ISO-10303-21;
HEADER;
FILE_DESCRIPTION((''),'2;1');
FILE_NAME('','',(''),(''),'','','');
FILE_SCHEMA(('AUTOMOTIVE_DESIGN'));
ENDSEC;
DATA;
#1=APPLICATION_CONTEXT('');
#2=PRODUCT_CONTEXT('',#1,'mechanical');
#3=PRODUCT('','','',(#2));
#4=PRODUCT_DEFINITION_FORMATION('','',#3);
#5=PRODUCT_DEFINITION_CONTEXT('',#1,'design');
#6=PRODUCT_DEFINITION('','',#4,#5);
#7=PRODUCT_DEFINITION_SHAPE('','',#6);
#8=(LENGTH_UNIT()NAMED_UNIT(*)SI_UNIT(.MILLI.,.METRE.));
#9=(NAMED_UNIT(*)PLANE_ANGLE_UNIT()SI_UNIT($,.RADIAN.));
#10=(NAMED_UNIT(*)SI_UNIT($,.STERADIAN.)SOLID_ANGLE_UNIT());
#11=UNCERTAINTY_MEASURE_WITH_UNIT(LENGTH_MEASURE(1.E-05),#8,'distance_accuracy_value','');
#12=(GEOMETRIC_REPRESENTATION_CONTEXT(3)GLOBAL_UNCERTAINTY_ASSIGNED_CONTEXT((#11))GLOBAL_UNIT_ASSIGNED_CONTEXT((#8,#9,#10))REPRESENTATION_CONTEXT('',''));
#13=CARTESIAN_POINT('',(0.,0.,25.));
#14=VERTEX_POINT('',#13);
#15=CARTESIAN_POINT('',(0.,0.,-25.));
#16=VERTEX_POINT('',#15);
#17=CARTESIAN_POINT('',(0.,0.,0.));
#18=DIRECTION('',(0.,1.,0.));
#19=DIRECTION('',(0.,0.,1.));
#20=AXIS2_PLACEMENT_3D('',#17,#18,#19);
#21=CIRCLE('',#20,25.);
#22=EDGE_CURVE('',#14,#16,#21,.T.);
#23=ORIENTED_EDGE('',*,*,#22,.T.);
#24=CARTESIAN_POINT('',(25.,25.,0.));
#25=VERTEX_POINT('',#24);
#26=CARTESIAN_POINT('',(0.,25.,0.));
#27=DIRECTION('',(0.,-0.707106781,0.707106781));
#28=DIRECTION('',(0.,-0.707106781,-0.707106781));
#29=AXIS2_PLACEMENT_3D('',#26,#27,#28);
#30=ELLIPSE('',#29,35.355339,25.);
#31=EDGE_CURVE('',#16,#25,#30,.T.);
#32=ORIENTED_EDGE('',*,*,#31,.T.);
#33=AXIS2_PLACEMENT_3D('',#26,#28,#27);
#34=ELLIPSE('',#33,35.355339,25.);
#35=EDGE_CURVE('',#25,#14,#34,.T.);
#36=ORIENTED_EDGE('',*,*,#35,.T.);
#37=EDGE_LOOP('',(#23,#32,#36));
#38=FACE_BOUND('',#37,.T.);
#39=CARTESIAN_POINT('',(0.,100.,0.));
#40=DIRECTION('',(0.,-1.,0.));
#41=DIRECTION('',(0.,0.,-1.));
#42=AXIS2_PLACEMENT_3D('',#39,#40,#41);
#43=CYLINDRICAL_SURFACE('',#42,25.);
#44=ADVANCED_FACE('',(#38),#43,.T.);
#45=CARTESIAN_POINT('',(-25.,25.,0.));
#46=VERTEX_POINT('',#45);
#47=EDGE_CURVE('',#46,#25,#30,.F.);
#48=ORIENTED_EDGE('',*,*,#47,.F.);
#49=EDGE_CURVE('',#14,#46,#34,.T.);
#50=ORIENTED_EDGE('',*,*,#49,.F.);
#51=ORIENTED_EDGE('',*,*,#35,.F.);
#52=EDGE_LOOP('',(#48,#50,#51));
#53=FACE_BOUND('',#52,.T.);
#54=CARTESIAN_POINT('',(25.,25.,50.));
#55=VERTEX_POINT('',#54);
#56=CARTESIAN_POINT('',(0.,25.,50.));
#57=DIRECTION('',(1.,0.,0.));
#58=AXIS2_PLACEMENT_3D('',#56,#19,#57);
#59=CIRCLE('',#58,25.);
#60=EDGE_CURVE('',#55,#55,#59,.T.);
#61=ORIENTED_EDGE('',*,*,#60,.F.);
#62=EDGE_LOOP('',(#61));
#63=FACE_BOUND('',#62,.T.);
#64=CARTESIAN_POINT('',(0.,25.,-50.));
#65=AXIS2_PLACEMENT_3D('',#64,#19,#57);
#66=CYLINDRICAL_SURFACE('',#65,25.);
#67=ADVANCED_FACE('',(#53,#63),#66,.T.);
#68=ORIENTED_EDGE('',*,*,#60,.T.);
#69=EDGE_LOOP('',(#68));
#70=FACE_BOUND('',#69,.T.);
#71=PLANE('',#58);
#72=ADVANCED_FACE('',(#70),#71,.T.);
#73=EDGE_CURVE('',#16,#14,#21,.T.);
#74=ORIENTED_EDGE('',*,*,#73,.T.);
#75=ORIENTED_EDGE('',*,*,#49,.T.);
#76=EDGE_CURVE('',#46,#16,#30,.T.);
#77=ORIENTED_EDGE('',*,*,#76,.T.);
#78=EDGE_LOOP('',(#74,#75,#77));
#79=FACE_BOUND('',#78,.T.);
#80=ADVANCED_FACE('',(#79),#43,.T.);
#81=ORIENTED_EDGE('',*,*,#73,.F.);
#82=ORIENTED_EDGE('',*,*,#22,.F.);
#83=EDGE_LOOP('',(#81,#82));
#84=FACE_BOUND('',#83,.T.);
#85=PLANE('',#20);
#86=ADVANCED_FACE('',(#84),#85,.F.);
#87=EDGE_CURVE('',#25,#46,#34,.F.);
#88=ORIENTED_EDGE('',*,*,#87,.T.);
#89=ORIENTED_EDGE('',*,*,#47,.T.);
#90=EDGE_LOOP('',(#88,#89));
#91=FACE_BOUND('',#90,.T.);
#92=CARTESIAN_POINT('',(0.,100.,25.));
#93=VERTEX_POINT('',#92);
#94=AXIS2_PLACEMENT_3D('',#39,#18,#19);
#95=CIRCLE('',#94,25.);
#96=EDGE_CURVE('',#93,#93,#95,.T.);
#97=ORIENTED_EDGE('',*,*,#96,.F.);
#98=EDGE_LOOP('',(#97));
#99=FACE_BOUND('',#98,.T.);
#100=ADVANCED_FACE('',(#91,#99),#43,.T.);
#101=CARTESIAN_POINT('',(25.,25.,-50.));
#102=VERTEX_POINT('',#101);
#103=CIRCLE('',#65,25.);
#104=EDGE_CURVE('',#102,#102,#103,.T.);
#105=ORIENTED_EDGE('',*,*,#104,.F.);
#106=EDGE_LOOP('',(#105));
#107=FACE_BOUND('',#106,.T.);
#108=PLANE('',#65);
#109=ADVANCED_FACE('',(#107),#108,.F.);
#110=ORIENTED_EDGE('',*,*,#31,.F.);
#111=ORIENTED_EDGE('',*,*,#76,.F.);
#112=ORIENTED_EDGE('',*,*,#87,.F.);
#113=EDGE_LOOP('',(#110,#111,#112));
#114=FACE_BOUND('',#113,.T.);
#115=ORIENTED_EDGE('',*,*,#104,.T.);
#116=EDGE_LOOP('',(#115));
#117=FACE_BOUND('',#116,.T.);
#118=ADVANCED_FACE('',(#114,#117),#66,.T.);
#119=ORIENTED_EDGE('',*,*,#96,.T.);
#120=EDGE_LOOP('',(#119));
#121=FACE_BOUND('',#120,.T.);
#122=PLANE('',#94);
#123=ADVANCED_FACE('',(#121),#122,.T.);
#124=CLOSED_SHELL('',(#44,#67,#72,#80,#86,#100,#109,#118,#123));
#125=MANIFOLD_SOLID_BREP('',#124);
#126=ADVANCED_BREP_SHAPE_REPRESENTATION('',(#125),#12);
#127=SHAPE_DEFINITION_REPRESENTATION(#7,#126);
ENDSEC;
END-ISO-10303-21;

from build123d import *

# Parameters (mm, degrees)
SKETCH1_R                = 25
BOSS_EXTRUDE1_DEPTH      = 100
BOSS_EXTRUDE2_DEPTH      = 50
BOSS_EXTRUDE2_DEPTH_BACK = 50
SKETCH2_R                = 25


with BuildPart() as part:
    # Sketch1 → Boss-Extrude1 (new body)
    with BuildSketch(Plane(origin=(0, 0, 0), x_dir=(1, 0, 0), z_dir=(0, 1, 0))):
        Circle(SKETCH1_R)
    extrude(amount=BOSS_EXTRUDE1_DEPTH)

    # Sketch2 → Boss-Extrude2 (add, two sides: drawn at the far end of the back side and taken through both)
    with BuildSketch(Plane.XY.offset(-BOSS_EXTRUDE2_DEPTH_BACK)):
        with Locations((0, 25)):
            Circle(SKETCH2_R)
    extrude(amount=BOSS_EXTRUDE2_DEPTH + BOSS_EXTRUDE2_DEPTH_BACK)


solid = part.part
